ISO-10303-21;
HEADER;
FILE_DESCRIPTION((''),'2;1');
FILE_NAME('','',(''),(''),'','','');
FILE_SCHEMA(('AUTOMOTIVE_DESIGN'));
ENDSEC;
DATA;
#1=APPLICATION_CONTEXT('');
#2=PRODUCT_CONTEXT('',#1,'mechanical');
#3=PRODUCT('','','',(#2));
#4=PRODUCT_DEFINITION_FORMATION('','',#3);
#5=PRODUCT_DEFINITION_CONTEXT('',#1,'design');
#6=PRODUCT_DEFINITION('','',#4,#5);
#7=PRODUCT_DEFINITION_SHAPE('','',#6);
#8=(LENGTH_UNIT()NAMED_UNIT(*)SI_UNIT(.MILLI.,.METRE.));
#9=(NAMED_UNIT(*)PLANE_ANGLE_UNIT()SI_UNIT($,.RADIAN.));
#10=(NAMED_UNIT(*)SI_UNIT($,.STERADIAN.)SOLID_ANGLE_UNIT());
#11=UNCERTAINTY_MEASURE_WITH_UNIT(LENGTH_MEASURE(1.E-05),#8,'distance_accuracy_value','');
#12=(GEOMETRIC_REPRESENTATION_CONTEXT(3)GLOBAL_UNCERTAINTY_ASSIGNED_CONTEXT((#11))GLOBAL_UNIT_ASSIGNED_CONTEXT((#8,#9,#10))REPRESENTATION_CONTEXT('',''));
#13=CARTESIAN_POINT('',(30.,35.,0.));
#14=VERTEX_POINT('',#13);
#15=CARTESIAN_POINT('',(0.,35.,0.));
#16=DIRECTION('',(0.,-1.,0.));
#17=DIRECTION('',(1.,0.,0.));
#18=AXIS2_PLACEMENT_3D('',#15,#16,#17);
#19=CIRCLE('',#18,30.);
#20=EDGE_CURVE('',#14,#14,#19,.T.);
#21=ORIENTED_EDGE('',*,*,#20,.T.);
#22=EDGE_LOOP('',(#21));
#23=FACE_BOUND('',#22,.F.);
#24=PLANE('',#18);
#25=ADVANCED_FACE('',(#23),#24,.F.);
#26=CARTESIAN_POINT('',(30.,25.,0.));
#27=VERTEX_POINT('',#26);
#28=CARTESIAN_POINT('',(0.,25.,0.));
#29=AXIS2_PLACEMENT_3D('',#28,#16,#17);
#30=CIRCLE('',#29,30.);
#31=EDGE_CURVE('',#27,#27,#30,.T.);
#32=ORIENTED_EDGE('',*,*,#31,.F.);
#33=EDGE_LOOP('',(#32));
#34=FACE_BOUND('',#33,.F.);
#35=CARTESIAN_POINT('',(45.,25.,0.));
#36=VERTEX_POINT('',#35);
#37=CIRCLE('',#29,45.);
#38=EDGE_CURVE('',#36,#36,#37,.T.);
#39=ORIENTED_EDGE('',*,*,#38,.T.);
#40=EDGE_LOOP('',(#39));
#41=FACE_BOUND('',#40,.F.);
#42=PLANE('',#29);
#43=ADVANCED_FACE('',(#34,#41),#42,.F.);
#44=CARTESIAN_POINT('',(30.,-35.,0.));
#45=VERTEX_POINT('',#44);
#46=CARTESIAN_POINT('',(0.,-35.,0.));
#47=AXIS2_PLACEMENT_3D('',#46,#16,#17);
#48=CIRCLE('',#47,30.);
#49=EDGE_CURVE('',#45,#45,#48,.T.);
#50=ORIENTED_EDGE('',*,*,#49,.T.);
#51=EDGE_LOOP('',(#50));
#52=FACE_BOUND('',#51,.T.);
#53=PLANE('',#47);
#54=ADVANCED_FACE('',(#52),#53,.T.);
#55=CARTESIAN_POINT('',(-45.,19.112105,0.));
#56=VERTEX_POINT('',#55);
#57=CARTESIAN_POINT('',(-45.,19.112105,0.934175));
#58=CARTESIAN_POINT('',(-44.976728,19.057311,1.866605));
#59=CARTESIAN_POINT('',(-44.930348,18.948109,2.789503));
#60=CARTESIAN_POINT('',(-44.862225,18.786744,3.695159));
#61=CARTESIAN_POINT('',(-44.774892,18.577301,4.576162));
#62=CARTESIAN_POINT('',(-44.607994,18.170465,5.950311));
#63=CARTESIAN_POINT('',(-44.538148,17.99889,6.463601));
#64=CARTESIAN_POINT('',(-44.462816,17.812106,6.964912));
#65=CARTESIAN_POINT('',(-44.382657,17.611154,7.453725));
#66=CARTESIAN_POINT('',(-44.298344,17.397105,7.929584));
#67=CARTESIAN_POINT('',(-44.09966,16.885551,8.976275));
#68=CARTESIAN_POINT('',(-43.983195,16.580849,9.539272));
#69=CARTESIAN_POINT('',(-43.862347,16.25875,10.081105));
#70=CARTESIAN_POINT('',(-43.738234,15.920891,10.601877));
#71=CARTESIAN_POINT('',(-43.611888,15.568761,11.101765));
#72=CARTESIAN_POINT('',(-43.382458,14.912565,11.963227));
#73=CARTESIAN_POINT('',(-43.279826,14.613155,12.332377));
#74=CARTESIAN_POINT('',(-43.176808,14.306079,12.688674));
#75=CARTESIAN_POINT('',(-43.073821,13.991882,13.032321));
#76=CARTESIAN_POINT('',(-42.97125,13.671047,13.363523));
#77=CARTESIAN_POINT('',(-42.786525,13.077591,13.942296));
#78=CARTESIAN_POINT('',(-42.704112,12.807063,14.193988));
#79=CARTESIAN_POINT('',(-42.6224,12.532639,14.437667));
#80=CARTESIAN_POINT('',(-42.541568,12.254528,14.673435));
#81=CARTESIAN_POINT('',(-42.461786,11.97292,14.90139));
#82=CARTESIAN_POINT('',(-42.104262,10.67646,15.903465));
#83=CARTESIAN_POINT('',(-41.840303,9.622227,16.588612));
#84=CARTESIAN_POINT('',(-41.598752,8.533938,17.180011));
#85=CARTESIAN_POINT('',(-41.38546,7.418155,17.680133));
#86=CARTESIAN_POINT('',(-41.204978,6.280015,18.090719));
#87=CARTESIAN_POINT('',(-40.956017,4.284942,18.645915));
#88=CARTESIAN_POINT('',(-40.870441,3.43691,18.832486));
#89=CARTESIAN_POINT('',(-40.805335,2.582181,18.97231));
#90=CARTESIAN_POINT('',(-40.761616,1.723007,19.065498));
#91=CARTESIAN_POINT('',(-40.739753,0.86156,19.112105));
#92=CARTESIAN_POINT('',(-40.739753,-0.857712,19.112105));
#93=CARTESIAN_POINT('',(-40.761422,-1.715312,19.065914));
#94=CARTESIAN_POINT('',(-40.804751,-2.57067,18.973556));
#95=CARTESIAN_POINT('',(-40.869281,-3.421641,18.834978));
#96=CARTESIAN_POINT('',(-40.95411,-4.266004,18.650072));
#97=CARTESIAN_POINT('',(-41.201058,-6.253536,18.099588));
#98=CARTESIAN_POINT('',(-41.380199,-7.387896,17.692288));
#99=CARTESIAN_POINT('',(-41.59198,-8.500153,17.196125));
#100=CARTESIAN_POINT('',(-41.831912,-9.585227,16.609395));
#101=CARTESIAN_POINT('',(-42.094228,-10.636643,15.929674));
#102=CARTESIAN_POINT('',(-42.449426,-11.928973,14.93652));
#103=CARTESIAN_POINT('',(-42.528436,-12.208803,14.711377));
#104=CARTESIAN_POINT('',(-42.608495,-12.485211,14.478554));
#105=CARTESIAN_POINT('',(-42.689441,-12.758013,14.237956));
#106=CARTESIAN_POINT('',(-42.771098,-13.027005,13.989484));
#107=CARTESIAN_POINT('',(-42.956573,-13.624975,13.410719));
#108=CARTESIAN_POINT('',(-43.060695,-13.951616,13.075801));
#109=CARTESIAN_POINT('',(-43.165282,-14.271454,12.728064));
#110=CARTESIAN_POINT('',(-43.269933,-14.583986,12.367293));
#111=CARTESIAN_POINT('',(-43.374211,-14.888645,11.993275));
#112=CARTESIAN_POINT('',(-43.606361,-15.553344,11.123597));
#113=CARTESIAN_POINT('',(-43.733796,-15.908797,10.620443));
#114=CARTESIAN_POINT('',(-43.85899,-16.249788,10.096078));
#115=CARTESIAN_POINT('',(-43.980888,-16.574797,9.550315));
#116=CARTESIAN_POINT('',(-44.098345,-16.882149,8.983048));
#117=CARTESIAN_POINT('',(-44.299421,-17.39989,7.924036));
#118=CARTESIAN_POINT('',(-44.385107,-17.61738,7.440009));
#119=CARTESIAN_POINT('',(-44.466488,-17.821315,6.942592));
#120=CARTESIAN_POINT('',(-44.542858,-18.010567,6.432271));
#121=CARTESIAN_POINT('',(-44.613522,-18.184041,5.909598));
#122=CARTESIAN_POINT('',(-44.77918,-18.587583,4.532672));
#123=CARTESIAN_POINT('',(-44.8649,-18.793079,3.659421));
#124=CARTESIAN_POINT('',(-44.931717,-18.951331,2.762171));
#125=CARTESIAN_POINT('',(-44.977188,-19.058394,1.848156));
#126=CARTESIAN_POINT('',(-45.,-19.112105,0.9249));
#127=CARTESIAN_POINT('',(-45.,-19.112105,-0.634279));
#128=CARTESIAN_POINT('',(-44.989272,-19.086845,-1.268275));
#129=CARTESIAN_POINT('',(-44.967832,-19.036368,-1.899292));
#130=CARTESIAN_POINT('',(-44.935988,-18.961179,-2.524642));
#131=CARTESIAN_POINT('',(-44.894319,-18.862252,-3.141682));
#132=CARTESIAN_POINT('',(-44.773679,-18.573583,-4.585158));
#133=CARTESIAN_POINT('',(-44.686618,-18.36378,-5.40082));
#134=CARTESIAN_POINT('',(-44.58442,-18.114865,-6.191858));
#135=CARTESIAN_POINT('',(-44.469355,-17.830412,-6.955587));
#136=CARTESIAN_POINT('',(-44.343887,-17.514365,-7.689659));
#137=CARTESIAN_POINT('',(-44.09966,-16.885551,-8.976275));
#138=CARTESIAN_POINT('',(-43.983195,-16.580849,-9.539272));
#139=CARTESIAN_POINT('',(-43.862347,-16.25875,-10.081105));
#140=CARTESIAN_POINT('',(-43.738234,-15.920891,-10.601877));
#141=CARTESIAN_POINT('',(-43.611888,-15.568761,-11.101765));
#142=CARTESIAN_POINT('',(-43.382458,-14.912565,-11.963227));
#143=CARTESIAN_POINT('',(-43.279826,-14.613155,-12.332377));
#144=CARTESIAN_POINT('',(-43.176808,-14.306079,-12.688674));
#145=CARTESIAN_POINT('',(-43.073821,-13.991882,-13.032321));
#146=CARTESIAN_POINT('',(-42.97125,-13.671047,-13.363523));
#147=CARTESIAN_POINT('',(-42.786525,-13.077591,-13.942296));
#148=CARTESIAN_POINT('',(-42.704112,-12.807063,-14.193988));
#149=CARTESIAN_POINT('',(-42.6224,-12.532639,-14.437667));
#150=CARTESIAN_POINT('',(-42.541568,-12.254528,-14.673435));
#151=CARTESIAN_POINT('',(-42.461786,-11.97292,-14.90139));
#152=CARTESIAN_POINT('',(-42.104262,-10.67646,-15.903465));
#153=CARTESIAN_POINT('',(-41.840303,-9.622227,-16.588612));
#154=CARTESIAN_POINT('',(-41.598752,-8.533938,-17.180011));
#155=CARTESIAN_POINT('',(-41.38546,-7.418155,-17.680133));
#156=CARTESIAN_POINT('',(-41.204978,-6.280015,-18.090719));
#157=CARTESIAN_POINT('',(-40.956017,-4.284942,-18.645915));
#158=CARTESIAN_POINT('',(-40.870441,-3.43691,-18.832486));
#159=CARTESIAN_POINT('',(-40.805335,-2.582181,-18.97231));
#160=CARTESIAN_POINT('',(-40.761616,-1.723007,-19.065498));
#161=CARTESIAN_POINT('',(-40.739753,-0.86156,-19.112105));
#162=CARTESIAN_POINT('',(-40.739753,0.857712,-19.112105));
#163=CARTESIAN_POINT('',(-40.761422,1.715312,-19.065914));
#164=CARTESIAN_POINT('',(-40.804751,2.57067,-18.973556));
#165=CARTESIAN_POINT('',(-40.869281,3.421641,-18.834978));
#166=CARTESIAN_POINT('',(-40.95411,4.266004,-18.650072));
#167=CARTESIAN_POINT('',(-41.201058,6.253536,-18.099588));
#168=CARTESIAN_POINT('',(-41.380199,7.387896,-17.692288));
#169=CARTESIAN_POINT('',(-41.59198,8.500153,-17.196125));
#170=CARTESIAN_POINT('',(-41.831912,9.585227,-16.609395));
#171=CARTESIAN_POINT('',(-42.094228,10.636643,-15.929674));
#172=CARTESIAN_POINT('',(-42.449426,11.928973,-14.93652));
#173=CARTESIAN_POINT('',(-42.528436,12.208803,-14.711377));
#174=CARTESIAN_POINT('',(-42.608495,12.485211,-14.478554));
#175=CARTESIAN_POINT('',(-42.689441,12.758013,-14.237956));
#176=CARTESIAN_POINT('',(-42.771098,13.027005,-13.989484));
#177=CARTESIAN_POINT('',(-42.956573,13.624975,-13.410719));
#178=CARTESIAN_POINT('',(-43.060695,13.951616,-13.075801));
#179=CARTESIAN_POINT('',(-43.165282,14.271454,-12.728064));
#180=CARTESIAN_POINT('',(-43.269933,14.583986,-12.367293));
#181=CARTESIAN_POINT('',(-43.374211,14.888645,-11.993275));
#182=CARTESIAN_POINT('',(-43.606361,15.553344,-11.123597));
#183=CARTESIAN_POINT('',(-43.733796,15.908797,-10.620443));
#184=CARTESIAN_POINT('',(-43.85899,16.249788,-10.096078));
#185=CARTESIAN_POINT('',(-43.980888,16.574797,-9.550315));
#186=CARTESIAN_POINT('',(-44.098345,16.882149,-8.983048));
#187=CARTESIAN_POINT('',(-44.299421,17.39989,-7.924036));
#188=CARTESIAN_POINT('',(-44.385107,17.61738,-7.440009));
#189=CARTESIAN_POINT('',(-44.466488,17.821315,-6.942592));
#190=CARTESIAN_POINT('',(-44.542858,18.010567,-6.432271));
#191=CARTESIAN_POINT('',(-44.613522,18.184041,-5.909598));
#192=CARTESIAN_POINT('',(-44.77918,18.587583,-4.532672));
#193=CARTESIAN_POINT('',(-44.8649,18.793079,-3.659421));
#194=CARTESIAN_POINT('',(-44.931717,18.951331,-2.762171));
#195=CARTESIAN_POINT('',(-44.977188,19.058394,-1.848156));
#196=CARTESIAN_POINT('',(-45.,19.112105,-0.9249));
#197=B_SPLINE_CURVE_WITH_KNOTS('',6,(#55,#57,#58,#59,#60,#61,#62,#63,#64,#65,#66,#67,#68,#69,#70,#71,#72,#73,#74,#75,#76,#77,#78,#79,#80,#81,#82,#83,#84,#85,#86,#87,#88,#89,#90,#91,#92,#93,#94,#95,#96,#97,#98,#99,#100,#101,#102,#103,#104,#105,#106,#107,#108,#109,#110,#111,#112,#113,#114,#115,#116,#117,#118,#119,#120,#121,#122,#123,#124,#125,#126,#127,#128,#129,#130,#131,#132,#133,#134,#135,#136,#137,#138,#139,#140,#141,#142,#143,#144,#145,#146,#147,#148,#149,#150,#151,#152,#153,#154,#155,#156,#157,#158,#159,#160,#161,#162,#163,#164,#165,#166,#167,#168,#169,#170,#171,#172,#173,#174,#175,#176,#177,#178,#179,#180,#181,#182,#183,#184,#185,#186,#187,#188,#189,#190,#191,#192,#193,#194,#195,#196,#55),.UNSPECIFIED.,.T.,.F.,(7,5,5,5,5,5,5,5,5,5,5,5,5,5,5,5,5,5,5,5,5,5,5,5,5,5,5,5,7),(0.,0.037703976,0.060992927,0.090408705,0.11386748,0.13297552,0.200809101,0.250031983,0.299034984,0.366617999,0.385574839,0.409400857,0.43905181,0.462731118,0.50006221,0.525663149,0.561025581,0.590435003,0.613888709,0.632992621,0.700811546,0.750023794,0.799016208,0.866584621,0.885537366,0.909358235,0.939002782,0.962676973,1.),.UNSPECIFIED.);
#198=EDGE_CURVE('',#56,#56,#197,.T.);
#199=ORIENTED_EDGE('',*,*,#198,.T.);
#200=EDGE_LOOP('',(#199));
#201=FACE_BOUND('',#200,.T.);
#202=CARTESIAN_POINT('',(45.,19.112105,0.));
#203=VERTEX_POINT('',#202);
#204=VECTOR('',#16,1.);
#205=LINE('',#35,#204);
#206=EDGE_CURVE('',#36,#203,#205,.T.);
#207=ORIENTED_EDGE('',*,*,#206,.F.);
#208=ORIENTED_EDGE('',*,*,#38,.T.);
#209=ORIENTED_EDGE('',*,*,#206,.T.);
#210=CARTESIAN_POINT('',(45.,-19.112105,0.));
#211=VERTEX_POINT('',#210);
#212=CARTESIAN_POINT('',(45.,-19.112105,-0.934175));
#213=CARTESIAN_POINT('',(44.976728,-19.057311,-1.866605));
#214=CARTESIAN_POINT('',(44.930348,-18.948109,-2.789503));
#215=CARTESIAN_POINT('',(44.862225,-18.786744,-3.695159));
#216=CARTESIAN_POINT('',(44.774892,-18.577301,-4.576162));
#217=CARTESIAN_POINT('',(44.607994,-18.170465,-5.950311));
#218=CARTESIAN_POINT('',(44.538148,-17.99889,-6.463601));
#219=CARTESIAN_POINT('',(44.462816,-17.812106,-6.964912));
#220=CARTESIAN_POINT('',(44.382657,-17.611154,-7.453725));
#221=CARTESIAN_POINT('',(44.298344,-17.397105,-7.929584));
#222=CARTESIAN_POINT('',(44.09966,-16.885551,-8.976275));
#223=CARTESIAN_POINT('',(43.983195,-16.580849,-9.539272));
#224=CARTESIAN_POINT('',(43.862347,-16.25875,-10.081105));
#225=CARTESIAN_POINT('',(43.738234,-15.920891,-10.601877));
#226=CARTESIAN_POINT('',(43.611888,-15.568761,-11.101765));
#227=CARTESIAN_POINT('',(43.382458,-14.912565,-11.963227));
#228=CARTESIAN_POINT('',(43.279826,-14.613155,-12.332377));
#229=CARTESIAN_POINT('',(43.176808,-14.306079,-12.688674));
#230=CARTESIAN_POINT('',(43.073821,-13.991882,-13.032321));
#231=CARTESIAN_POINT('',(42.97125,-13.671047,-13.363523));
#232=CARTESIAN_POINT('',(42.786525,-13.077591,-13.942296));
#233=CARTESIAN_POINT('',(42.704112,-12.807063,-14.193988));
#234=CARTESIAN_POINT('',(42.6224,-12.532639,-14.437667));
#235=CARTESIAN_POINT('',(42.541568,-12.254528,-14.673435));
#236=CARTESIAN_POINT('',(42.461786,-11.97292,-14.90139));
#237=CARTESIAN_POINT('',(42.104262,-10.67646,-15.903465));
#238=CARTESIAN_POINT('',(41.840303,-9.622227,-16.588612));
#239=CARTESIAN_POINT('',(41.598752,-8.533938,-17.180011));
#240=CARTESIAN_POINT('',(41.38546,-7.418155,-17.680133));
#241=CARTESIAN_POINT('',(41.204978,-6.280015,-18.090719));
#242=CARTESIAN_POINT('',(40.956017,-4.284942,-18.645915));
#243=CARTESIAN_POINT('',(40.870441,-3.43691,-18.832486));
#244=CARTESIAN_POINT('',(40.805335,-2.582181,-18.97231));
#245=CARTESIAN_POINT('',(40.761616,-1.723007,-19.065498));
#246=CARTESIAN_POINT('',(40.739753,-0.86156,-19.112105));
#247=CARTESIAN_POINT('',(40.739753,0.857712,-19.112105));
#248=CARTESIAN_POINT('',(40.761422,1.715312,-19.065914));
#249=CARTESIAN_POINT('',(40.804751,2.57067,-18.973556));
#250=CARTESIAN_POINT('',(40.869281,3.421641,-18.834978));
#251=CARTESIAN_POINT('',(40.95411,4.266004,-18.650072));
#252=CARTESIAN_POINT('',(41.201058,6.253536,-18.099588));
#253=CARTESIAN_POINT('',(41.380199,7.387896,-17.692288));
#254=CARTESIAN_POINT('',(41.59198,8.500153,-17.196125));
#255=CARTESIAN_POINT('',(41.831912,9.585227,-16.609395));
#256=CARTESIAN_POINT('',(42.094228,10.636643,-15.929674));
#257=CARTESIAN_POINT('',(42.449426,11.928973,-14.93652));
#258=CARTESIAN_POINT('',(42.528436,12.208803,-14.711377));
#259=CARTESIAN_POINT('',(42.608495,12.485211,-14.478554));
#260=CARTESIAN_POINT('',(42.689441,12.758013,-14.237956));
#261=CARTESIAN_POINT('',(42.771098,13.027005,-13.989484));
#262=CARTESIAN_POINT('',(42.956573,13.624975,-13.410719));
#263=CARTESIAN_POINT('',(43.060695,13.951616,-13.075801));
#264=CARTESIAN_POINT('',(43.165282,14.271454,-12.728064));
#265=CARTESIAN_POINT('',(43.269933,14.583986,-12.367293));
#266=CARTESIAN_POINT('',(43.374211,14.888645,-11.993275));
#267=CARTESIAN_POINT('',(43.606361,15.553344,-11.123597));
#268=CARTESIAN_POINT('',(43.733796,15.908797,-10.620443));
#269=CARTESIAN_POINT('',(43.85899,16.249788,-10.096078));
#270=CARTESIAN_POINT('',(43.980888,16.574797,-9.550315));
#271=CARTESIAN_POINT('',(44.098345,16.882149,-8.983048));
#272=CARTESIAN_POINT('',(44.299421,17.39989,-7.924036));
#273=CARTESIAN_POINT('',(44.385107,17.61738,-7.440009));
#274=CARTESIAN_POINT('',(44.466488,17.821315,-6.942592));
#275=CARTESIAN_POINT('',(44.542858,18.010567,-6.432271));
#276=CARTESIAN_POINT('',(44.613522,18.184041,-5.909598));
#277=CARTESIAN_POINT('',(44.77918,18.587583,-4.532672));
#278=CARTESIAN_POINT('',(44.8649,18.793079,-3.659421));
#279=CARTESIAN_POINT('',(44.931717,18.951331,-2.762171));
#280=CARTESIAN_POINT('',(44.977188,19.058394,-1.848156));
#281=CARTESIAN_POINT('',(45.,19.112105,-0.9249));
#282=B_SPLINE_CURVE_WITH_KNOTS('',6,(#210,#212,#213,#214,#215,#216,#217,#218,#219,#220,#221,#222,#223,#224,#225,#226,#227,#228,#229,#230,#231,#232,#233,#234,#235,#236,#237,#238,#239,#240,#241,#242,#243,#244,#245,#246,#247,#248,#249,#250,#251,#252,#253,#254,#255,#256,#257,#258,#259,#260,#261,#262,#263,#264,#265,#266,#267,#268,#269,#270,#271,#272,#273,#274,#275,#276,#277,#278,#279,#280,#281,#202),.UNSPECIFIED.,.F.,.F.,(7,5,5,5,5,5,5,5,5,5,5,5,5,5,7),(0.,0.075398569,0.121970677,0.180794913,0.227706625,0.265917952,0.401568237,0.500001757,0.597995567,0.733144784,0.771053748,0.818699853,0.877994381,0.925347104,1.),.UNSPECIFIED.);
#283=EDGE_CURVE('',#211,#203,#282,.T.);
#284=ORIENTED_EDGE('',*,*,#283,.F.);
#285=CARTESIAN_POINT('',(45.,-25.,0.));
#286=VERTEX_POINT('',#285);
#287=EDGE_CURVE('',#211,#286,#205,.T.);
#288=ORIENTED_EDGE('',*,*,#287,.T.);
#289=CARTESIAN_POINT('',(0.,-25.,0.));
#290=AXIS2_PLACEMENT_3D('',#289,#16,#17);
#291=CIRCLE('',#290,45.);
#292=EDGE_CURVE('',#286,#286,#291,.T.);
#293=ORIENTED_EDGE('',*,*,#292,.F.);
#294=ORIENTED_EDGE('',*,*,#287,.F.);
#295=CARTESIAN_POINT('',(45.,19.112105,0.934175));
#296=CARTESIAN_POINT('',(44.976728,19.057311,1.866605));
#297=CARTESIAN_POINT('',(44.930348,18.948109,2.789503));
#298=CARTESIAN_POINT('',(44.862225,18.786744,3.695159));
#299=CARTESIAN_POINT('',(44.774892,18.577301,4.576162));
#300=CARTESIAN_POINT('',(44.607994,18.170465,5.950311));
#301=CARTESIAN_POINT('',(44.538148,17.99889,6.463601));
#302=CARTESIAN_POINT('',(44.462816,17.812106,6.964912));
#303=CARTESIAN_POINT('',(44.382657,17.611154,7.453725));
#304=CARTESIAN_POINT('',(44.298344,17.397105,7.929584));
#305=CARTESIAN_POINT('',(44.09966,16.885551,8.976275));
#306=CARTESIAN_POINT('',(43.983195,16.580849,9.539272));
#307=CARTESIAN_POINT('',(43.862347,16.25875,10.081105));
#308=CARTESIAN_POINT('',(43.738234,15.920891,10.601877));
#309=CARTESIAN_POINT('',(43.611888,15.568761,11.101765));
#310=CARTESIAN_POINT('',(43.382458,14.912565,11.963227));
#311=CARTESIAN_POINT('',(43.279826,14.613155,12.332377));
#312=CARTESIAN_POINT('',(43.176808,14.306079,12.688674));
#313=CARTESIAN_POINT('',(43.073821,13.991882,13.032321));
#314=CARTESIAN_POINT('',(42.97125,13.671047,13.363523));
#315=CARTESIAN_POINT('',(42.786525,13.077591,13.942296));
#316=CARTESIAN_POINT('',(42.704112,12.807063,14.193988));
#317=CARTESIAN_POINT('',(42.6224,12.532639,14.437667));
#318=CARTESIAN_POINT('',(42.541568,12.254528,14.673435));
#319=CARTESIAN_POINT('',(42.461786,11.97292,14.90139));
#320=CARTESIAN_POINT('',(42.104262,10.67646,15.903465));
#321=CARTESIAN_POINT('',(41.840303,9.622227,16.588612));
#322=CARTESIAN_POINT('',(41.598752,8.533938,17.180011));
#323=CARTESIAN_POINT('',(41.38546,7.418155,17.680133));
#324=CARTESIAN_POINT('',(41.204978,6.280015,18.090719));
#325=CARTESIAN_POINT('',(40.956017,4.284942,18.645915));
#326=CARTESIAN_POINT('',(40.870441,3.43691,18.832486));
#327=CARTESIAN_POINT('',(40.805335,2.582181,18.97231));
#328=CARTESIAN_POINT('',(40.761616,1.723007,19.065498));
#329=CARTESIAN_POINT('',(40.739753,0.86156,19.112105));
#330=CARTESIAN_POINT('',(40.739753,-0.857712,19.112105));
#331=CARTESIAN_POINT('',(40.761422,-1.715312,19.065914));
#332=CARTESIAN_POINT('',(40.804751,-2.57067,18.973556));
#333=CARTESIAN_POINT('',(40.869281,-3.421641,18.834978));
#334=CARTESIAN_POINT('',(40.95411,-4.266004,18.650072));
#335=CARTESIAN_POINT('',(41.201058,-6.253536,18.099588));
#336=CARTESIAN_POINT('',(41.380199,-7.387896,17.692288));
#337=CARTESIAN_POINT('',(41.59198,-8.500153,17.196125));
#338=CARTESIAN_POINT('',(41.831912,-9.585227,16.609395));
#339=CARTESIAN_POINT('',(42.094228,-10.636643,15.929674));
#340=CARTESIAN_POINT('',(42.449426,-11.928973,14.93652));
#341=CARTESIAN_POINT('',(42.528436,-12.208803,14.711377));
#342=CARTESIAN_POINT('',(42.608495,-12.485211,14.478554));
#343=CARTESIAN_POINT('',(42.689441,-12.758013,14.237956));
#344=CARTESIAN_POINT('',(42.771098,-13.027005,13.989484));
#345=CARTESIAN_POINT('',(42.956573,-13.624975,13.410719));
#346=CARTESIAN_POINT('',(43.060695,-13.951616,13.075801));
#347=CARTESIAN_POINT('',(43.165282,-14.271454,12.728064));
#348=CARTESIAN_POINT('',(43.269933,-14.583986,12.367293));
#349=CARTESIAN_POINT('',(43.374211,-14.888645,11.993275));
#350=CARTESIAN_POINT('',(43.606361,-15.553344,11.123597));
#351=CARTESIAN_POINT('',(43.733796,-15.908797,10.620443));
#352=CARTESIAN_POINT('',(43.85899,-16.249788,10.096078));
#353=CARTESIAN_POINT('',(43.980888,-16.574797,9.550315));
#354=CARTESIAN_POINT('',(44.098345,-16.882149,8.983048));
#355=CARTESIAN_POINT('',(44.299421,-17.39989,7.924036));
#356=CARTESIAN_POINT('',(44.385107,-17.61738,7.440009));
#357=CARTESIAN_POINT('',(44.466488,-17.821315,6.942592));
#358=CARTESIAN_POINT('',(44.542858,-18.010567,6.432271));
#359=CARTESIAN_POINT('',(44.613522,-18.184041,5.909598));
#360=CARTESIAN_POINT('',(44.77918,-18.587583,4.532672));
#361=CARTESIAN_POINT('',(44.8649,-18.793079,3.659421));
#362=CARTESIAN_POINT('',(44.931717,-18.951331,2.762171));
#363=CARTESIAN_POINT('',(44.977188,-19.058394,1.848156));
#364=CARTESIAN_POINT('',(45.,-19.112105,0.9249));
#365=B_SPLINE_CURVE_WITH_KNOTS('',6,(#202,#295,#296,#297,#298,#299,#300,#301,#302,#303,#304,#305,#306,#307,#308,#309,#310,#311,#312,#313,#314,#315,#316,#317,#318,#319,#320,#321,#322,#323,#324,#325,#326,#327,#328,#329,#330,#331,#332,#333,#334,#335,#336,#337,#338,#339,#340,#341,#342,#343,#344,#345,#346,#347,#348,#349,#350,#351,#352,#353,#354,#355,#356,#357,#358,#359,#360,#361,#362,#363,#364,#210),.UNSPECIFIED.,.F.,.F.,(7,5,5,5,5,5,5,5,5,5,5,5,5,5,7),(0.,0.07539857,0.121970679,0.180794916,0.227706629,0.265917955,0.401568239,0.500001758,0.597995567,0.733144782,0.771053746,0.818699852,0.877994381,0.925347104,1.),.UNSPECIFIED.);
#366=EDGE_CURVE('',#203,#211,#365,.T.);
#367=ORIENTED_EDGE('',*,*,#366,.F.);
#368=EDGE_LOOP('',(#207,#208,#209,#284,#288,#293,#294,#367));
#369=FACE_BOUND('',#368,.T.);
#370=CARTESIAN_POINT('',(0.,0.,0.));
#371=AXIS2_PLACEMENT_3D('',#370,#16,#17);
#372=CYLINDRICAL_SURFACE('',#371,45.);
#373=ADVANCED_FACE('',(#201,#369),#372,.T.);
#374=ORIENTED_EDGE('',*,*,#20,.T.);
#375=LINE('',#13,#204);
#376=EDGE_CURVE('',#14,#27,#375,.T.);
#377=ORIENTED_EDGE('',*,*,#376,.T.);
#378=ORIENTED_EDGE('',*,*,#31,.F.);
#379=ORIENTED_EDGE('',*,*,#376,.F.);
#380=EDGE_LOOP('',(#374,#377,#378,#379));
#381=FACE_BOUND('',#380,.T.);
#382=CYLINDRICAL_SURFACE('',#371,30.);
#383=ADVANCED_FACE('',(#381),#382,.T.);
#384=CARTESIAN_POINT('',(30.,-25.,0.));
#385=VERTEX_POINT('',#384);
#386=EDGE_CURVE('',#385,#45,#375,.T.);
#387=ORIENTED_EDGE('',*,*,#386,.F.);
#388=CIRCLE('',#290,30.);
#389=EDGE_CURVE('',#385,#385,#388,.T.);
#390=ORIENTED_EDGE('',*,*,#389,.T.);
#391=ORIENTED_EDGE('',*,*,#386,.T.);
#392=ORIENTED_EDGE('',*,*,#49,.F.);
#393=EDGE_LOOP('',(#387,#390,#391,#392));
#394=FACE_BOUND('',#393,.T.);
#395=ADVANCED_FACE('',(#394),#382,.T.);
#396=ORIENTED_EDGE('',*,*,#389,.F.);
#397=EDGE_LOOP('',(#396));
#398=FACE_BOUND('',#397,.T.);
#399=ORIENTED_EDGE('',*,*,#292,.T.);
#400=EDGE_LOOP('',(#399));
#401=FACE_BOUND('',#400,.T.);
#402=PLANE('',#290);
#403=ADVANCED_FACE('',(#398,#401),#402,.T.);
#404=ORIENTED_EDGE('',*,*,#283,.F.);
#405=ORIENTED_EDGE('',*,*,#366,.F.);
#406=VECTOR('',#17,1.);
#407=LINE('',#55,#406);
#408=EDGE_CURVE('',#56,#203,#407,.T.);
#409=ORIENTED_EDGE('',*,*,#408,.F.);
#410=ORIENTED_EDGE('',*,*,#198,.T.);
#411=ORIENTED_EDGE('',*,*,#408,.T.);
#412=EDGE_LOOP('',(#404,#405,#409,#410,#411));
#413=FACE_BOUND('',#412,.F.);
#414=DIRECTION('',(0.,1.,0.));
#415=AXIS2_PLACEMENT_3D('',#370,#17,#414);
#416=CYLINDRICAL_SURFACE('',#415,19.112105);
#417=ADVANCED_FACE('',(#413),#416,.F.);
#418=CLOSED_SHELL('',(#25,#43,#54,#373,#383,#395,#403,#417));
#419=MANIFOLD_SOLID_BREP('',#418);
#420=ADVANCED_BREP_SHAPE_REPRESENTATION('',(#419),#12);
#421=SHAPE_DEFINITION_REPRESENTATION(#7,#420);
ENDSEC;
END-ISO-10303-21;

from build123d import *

# Parameters (mm, degrees)
F0_R     = 30
F1_DEPTH = 35
F0_R_2   = 45
F2_DEPTH = 25
F3_R     = 19.112105
F4_DEPTH = 45


with BuildPart() as f1:
    # F0 (on Front) → F1 (new body, symmetric)
    with BuildSketch(Plane.XZ):
        Circle(F0_R)
    extrude(amount=F1_DEPTH, both=True)

    # F0 (on Front) → F2 (join, symmetric)
    with BuildSketch(Plane.XZ):
        Circle(F0_R_2)
        Circle(F0_R, mode=Mode.SUBTRACT)
    extrude(amount=F2_DEPTH, both=True)

    # F3 (on Right) → F4 (cut, symmetric)
    with BuildSketch(Plane.YZ):
        Circle(F3_R)
    extrude(amount=F4_DEPTH, both=True, mode=Mode.SUBTRACT)


solid = f1.part
